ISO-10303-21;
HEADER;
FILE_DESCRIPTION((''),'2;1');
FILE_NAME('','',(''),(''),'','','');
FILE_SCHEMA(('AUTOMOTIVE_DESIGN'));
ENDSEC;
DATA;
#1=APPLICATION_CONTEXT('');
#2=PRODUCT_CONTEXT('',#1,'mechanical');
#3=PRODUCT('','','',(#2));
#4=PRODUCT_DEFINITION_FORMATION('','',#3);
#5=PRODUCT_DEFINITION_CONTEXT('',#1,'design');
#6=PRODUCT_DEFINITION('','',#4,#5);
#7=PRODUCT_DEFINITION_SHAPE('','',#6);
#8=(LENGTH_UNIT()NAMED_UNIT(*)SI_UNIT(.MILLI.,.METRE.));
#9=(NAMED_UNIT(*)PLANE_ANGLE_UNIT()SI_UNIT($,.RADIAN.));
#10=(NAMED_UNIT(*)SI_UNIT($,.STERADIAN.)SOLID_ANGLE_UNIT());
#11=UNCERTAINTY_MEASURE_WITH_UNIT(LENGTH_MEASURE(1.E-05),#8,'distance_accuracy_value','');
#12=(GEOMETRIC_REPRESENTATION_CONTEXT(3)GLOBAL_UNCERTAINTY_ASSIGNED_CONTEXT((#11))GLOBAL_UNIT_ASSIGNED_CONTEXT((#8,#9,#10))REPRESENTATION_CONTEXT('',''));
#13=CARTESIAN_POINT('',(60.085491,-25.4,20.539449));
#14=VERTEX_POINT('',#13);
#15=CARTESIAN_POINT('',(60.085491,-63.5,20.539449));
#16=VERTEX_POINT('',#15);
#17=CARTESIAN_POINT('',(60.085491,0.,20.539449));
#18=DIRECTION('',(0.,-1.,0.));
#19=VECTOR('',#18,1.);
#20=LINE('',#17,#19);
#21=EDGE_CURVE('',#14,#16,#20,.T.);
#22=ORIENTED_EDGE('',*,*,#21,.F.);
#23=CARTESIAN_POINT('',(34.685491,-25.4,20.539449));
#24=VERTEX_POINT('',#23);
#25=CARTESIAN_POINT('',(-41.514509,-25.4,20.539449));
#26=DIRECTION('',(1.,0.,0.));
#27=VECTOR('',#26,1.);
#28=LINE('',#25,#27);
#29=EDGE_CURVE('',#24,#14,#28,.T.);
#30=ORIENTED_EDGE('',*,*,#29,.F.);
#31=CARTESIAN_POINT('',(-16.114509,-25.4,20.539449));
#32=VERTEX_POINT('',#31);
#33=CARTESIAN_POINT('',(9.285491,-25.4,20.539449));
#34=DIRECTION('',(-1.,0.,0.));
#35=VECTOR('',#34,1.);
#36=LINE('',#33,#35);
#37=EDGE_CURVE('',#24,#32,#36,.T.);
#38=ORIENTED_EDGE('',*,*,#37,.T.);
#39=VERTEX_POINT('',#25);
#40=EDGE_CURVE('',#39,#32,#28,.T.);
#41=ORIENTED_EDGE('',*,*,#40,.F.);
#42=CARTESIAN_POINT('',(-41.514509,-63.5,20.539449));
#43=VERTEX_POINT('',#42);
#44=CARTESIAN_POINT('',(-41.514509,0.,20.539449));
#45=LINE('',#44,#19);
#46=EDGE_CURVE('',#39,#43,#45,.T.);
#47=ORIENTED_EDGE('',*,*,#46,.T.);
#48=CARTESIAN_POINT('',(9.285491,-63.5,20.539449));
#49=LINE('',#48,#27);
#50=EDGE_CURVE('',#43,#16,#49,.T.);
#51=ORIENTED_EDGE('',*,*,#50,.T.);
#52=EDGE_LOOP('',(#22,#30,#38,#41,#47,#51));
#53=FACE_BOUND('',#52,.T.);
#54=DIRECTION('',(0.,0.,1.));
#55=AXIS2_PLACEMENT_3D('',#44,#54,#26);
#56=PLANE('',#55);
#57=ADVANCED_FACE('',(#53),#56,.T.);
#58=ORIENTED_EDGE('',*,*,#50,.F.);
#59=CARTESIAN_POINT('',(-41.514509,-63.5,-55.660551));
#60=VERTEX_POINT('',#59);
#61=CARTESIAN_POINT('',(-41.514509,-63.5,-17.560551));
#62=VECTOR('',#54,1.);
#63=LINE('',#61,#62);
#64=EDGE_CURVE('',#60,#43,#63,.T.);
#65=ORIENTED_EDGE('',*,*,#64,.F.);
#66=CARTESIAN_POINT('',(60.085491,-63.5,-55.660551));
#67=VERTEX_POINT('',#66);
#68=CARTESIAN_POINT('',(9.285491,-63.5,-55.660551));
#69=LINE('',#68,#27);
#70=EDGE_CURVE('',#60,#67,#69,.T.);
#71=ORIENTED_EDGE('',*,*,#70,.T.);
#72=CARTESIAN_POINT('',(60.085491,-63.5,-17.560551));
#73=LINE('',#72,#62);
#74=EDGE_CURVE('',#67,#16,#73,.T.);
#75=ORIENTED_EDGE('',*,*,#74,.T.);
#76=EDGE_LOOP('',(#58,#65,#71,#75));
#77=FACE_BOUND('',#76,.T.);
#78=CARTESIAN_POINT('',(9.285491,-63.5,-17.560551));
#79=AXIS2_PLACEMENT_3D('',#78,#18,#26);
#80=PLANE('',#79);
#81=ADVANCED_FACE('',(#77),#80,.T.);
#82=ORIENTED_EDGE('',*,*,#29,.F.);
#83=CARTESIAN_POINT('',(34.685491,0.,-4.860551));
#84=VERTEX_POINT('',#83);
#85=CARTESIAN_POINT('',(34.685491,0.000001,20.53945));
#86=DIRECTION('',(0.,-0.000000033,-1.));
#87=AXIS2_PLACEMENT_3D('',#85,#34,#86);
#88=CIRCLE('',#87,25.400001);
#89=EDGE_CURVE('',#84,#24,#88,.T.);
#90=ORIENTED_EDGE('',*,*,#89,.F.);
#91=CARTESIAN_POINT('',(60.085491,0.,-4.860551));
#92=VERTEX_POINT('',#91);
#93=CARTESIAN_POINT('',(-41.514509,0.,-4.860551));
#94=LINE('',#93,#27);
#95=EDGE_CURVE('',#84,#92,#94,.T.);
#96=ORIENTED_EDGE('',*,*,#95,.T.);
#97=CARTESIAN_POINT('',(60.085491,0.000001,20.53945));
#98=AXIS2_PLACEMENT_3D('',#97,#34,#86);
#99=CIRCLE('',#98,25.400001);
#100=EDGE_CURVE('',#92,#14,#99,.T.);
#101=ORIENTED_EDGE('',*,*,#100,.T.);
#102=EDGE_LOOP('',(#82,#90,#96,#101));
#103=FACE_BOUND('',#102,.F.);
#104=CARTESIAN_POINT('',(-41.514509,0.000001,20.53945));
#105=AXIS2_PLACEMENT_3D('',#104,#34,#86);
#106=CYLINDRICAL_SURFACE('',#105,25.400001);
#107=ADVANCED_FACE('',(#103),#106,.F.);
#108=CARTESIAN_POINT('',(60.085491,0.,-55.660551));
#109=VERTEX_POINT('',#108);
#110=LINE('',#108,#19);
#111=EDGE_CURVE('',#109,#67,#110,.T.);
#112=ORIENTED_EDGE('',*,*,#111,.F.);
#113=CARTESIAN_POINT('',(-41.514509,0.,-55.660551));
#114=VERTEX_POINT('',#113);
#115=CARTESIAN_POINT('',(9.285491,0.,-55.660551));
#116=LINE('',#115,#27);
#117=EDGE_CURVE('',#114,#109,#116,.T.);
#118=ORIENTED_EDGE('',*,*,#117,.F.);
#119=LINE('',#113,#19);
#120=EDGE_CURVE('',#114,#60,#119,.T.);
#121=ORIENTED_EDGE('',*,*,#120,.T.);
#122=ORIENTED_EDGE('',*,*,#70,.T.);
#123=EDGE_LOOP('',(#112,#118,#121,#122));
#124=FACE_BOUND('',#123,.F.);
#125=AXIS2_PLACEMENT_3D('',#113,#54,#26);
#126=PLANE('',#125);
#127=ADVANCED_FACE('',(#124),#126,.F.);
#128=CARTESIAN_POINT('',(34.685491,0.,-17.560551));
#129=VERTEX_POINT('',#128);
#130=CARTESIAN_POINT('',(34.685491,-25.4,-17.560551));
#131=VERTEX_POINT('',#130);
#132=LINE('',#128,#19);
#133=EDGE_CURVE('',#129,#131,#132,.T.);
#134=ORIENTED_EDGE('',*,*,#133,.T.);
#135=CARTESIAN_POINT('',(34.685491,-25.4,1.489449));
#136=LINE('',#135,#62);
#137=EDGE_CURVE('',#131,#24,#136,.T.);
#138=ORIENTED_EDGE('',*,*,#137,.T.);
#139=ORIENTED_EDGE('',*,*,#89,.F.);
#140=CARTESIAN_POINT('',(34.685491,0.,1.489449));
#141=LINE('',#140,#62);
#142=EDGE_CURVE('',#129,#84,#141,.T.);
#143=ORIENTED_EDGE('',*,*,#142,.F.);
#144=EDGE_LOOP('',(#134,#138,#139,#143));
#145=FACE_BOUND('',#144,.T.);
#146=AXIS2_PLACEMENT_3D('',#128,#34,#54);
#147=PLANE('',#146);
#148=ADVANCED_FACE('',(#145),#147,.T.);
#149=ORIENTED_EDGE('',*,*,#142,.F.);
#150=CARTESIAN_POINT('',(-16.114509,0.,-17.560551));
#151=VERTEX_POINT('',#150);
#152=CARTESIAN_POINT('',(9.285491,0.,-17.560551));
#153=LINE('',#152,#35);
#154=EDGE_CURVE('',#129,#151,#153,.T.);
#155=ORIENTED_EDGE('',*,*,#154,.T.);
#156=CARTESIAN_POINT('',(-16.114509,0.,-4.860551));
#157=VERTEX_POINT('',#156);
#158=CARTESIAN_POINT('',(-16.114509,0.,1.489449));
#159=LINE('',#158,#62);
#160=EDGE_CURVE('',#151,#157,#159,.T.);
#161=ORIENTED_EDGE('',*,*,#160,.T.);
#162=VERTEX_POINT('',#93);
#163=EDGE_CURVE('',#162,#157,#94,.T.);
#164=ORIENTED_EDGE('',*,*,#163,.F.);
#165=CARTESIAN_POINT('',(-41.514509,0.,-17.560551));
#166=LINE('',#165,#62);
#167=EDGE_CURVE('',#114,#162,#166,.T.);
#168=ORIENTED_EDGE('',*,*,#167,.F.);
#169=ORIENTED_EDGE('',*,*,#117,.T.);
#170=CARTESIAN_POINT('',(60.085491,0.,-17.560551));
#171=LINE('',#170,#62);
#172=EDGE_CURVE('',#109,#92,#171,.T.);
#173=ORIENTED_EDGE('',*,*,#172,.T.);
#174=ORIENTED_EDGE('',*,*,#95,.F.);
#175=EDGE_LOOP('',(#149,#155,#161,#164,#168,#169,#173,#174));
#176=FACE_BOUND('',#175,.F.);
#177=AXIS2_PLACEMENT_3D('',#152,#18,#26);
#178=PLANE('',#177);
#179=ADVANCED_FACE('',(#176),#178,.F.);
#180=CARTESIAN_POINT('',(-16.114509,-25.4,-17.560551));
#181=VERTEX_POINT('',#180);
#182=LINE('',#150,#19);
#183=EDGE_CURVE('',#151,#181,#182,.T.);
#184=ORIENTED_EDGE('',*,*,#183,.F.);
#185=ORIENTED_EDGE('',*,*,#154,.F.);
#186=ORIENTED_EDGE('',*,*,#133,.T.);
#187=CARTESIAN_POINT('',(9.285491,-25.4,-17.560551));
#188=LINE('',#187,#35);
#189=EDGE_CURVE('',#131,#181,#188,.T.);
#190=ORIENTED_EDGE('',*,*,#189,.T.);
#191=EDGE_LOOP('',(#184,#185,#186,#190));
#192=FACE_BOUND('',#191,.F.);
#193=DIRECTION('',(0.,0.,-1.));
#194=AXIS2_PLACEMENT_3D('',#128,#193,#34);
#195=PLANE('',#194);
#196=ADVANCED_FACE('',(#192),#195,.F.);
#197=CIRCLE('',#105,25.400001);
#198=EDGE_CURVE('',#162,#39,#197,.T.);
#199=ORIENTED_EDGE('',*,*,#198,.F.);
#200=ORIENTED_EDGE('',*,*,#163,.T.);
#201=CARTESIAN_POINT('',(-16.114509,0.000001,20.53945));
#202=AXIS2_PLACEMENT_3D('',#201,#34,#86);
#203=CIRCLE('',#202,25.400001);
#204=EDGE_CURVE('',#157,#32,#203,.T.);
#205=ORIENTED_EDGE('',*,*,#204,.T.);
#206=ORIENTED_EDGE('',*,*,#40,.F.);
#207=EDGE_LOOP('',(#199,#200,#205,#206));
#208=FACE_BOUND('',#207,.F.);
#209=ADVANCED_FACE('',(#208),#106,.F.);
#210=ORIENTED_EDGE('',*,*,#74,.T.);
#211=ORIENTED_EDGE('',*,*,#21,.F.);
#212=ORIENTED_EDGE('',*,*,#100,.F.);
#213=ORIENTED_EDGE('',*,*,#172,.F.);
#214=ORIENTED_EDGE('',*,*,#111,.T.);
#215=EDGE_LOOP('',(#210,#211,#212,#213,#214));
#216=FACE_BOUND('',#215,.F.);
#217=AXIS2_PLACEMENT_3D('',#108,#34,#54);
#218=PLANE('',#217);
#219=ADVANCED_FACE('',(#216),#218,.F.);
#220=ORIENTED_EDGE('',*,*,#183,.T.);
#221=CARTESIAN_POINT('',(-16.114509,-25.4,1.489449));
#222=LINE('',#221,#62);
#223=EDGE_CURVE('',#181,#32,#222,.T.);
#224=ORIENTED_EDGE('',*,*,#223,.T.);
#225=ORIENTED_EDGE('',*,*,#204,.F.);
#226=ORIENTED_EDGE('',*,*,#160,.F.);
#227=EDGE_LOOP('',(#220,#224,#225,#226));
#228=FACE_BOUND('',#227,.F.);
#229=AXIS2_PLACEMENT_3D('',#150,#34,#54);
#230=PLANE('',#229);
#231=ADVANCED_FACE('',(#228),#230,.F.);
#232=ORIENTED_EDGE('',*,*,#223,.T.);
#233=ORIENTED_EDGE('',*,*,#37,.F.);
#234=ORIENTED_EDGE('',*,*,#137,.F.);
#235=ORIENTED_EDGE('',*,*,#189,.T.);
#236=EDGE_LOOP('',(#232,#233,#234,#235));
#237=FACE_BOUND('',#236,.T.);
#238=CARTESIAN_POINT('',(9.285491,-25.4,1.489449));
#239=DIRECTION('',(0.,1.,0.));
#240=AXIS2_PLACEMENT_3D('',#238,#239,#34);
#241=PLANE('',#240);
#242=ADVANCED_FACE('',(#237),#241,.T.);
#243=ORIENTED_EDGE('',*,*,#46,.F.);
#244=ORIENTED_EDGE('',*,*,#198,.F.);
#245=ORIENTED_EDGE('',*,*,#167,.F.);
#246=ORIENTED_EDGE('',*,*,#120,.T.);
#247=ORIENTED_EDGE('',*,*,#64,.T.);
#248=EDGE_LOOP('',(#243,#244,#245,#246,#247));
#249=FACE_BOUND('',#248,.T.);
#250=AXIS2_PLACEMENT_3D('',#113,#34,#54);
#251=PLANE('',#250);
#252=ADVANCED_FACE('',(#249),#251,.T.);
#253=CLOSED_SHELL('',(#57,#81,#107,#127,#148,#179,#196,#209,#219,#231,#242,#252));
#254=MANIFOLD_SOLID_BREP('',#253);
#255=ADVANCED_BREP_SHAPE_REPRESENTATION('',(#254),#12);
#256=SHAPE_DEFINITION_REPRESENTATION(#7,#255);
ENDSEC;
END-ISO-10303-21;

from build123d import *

# Parameters (mm, degrees)
F0_W     = 101.6
F0_H     = 76.2
F1_DEPTH = 63.5
F2_W     = 50.8
F2_H     = 38.1
F3_DEPTH = 25.4
F5_DEPTH = 101.601


with BuildPart() as f1:
    # F0 (on Front) → F1 (new body)
    with BuildSketch(Plane.XZ):
        with Locations((9.285491, -17.560551)):
            Rectangle(F0_W, F0_H)
    extrude(amount=F1_DEPTH)

    # F2 (on face) → F3 (cut)
    with BuildSketch(Plane(origin=(0, 0, 0), x_dir=(-1, 0, 0), z_dir=(0, 1, 0))):
        with Locations((-9.285491, 1.489449)):
            Rectangle(F2_W, F2_H)
    extrude(amount=-F3_DEPTH, mode=Mode.SUBTRACT)

    # F4 (on face) → F5 (cut, through all)
    with BuildSketch(Plane(origin=(-41.514509, 0, 0), x_dir=(0, -1, 0), z_dir=(-1, 0, 0))):
        with BuildLine():
            Line((0, 20.539449), (0, -4.860551))
            ThreePointArc((0, -4.860551), (17.960512, 2.578937), (25.4, 20.539449))
            Line((25.4, 20.539449), (0, 20.539449))
        make_face()
    extrude(amount=-F5_DEPTH, mode=Mode.SUBTRACT)


solid = f1.part
